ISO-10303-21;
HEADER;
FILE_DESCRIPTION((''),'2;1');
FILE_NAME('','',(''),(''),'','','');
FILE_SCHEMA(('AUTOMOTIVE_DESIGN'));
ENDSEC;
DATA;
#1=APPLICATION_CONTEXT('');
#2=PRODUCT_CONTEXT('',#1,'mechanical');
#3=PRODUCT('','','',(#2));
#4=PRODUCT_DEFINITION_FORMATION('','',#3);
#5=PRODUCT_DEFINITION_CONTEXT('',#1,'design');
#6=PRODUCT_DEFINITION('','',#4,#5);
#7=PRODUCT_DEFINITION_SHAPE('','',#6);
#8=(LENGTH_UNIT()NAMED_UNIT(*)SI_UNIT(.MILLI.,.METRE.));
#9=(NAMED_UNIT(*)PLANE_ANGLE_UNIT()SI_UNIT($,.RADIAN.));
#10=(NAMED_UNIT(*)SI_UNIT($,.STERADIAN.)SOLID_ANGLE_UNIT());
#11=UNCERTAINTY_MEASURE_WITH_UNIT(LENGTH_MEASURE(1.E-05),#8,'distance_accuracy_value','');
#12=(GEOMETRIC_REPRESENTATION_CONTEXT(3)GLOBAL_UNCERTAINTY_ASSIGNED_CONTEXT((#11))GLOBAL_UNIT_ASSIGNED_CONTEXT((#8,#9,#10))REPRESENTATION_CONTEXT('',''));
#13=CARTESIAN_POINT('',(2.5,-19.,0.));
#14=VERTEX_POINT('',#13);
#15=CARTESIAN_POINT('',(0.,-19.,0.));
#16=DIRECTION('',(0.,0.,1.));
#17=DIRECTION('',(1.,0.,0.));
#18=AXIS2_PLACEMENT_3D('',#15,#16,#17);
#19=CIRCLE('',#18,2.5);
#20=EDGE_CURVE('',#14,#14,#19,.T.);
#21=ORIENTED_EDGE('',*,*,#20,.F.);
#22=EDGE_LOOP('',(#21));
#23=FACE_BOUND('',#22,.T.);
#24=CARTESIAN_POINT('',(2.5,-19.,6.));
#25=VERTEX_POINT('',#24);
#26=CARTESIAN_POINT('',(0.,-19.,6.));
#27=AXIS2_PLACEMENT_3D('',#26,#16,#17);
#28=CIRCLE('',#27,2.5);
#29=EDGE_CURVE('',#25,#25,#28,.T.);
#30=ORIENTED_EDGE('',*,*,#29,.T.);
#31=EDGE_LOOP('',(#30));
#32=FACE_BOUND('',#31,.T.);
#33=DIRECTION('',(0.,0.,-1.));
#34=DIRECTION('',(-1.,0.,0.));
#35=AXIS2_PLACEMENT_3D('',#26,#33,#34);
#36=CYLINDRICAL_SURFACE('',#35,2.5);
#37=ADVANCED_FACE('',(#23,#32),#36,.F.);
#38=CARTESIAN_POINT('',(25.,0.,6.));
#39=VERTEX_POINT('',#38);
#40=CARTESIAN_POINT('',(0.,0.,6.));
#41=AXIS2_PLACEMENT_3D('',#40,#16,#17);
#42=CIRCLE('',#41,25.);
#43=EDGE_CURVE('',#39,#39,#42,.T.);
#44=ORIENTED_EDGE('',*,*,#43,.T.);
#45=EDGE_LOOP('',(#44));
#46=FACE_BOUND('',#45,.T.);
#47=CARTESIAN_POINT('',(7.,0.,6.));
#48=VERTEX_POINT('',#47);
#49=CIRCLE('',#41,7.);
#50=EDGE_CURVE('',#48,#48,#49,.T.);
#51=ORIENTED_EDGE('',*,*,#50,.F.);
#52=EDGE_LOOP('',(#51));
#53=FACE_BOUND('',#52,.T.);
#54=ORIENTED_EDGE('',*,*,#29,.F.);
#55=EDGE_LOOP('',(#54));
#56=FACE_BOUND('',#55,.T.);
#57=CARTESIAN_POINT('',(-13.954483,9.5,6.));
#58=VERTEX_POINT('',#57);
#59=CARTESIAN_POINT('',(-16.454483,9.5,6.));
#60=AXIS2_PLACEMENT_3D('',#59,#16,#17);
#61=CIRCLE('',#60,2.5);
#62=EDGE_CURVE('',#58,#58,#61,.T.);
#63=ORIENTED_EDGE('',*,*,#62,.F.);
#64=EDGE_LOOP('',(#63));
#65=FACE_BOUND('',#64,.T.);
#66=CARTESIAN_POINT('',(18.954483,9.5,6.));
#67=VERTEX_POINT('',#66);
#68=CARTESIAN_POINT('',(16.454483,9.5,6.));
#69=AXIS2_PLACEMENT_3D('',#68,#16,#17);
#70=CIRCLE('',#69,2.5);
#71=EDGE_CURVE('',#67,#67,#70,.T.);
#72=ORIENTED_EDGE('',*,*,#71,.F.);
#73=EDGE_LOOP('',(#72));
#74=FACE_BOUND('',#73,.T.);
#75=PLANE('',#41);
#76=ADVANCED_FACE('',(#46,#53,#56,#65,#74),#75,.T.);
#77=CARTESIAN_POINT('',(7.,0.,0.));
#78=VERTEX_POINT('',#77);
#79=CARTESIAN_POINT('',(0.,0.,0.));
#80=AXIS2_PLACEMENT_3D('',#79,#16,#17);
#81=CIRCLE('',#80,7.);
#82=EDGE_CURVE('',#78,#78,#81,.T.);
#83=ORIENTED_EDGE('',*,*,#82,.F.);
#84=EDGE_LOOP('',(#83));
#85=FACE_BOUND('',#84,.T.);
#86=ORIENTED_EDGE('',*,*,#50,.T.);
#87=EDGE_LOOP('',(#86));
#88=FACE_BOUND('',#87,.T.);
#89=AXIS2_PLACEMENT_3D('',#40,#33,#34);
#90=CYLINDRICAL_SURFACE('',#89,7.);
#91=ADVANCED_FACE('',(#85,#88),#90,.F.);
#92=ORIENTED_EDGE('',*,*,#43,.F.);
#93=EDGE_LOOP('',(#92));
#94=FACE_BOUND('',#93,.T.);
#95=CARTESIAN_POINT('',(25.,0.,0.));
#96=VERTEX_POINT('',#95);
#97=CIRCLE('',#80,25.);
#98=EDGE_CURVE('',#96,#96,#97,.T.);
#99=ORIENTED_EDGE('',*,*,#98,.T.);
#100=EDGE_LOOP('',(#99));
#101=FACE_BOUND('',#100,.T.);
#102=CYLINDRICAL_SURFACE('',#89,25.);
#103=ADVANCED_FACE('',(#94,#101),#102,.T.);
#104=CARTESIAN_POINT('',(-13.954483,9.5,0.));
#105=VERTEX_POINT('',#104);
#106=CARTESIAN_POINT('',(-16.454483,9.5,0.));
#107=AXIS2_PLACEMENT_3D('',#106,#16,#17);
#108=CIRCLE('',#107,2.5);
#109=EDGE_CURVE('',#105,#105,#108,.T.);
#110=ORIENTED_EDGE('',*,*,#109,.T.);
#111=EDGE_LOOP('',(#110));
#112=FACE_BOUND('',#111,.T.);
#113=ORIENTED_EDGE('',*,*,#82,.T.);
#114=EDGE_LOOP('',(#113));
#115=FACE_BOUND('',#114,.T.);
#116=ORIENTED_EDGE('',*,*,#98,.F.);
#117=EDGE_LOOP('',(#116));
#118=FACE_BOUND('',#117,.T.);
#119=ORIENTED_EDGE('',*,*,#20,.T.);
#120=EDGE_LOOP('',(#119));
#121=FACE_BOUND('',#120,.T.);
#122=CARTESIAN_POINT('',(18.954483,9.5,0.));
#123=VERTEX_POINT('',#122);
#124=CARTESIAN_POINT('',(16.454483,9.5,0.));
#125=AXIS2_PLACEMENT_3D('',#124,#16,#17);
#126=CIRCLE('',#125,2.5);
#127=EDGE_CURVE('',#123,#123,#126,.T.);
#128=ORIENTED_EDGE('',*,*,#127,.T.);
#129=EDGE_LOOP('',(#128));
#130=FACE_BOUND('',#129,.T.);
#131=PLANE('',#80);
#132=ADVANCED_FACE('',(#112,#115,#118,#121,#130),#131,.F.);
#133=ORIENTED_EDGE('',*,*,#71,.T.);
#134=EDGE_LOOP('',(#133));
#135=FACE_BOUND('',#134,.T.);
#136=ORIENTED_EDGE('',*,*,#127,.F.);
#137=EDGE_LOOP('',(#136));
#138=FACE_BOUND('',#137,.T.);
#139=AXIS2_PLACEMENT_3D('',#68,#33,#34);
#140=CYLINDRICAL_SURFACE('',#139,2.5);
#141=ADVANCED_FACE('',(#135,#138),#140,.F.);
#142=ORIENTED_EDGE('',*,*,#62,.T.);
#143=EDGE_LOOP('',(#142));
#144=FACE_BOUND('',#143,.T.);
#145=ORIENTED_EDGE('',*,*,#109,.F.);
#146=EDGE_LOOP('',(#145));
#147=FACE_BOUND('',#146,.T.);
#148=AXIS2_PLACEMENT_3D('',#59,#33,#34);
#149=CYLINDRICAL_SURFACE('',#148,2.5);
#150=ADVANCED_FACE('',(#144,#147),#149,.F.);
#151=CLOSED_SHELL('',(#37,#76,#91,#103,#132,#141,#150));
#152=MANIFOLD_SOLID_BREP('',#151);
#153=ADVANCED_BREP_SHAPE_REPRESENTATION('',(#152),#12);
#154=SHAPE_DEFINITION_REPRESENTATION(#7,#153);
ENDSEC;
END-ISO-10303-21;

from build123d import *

# Parameters (mm, degrees)
SKETCH1_R           = 25
SKETCH1_R_2         = 7
SKETCH1_R_3         = 2.5
BOSS_EXTRUDE1_DEPTH = 6


with BuildPart() as part:
    # Sketch1 → Boss-Extrude1 (new body)
    with BuildSketch(Plane.XY):
        Circle(SKETCH1_R)
        Circle(SKETCH1_R_2, mode=Mode.SUBTRACT)
        with Locations((0, -19)):
            Circle(SKETCH1_R_3, mode=Mode.SUBTRACT)
        with Locations((-16.454482672, 9.5)):
            Circle(SKETCH1_R_3, mode=Mode.SUBTRACT)
        with Locations((16.454482672, 9.5)):
            Circle(SKETCH1_R_3, mode=Mode.SUBTRACT)
    extrude(amount=BOSS_EXTRUDE1_DEPTH)


solid = part.part
